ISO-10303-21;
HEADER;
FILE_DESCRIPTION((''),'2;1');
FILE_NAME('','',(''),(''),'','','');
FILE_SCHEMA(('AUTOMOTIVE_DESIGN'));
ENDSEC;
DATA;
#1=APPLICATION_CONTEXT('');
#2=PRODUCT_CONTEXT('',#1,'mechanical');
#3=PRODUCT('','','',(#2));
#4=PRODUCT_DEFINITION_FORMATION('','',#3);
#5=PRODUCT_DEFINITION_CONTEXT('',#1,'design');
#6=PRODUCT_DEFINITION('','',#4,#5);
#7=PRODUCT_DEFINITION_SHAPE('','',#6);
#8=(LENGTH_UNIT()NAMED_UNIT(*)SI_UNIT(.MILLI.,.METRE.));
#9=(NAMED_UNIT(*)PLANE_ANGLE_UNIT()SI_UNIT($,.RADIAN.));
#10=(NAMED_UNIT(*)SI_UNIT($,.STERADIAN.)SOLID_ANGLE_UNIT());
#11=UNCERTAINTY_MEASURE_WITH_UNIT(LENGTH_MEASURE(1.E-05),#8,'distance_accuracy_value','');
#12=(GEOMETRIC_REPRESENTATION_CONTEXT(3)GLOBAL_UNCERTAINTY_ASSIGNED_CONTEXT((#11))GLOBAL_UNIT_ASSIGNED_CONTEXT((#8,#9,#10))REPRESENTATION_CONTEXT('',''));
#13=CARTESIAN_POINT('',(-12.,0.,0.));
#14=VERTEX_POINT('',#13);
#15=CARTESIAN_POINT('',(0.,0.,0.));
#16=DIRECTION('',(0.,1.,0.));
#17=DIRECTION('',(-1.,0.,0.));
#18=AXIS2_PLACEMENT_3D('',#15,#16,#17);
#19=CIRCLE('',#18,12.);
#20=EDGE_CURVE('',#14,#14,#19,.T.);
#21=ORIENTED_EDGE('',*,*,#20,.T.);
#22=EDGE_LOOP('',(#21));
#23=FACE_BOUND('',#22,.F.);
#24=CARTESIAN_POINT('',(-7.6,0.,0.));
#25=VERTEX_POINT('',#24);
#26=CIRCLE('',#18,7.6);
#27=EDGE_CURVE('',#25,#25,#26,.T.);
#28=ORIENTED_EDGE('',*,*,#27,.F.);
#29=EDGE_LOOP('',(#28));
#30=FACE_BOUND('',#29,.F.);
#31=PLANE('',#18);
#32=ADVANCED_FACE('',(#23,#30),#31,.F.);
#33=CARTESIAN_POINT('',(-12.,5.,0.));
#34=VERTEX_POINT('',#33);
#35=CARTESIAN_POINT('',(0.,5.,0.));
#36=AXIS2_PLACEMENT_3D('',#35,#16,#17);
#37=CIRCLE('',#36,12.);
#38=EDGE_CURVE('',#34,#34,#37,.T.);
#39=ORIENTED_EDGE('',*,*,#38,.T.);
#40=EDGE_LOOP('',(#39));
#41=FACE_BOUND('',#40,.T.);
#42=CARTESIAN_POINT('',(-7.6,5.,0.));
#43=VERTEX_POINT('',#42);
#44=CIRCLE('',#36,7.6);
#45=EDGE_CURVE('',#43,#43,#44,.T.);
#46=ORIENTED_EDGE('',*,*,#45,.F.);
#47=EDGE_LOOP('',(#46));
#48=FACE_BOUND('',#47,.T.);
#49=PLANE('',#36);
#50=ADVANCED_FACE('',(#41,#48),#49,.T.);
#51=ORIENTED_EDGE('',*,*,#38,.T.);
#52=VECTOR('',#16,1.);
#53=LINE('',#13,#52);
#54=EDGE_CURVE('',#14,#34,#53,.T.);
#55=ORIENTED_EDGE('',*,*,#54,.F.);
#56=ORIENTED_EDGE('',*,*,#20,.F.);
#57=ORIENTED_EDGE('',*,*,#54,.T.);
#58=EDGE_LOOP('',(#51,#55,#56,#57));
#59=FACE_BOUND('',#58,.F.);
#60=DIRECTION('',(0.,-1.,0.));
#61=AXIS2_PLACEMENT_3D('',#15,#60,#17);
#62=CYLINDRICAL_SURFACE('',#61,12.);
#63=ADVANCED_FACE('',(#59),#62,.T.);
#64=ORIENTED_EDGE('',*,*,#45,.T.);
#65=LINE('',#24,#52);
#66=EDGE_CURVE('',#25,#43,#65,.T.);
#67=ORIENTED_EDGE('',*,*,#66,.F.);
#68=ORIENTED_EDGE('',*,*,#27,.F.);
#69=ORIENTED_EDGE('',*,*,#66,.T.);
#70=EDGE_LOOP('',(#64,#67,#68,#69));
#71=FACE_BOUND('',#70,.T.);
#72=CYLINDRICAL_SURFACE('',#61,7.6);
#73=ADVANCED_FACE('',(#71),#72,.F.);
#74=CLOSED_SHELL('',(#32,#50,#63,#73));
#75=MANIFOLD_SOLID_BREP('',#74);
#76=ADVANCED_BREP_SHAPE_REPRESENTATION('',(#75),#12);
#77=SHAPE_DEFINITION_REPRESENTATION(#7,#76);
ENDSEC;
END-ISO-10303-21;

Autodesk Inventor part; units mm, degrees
ref_plane "YZ Plane" through (0, 0, 0) normal (1, 0, 0) x (0, 1, 0)
ref_plane "XZ Plane" through (0, 0, 0) normal (0, 1, 0) x (-1, 0, 0)
ref_plane "XY Plane" through (0, 0, 0) normal (0, 0, 1) x (1, 0, 0)
sketch "Skizze1" plane through (0, 0, 0) normal (0, 1, 0) x (-1, 0, 0)
  circle A0 centre (0, 0) radius 12
  circle A1 centre (0, 0) radius 7.6
  dimension "d0" = 24
  dimension "d5" = 15.2
extrude "Extrusion1" add sketch "Skizze1" along normal blind 5
properties part number "_3D-Druck"
